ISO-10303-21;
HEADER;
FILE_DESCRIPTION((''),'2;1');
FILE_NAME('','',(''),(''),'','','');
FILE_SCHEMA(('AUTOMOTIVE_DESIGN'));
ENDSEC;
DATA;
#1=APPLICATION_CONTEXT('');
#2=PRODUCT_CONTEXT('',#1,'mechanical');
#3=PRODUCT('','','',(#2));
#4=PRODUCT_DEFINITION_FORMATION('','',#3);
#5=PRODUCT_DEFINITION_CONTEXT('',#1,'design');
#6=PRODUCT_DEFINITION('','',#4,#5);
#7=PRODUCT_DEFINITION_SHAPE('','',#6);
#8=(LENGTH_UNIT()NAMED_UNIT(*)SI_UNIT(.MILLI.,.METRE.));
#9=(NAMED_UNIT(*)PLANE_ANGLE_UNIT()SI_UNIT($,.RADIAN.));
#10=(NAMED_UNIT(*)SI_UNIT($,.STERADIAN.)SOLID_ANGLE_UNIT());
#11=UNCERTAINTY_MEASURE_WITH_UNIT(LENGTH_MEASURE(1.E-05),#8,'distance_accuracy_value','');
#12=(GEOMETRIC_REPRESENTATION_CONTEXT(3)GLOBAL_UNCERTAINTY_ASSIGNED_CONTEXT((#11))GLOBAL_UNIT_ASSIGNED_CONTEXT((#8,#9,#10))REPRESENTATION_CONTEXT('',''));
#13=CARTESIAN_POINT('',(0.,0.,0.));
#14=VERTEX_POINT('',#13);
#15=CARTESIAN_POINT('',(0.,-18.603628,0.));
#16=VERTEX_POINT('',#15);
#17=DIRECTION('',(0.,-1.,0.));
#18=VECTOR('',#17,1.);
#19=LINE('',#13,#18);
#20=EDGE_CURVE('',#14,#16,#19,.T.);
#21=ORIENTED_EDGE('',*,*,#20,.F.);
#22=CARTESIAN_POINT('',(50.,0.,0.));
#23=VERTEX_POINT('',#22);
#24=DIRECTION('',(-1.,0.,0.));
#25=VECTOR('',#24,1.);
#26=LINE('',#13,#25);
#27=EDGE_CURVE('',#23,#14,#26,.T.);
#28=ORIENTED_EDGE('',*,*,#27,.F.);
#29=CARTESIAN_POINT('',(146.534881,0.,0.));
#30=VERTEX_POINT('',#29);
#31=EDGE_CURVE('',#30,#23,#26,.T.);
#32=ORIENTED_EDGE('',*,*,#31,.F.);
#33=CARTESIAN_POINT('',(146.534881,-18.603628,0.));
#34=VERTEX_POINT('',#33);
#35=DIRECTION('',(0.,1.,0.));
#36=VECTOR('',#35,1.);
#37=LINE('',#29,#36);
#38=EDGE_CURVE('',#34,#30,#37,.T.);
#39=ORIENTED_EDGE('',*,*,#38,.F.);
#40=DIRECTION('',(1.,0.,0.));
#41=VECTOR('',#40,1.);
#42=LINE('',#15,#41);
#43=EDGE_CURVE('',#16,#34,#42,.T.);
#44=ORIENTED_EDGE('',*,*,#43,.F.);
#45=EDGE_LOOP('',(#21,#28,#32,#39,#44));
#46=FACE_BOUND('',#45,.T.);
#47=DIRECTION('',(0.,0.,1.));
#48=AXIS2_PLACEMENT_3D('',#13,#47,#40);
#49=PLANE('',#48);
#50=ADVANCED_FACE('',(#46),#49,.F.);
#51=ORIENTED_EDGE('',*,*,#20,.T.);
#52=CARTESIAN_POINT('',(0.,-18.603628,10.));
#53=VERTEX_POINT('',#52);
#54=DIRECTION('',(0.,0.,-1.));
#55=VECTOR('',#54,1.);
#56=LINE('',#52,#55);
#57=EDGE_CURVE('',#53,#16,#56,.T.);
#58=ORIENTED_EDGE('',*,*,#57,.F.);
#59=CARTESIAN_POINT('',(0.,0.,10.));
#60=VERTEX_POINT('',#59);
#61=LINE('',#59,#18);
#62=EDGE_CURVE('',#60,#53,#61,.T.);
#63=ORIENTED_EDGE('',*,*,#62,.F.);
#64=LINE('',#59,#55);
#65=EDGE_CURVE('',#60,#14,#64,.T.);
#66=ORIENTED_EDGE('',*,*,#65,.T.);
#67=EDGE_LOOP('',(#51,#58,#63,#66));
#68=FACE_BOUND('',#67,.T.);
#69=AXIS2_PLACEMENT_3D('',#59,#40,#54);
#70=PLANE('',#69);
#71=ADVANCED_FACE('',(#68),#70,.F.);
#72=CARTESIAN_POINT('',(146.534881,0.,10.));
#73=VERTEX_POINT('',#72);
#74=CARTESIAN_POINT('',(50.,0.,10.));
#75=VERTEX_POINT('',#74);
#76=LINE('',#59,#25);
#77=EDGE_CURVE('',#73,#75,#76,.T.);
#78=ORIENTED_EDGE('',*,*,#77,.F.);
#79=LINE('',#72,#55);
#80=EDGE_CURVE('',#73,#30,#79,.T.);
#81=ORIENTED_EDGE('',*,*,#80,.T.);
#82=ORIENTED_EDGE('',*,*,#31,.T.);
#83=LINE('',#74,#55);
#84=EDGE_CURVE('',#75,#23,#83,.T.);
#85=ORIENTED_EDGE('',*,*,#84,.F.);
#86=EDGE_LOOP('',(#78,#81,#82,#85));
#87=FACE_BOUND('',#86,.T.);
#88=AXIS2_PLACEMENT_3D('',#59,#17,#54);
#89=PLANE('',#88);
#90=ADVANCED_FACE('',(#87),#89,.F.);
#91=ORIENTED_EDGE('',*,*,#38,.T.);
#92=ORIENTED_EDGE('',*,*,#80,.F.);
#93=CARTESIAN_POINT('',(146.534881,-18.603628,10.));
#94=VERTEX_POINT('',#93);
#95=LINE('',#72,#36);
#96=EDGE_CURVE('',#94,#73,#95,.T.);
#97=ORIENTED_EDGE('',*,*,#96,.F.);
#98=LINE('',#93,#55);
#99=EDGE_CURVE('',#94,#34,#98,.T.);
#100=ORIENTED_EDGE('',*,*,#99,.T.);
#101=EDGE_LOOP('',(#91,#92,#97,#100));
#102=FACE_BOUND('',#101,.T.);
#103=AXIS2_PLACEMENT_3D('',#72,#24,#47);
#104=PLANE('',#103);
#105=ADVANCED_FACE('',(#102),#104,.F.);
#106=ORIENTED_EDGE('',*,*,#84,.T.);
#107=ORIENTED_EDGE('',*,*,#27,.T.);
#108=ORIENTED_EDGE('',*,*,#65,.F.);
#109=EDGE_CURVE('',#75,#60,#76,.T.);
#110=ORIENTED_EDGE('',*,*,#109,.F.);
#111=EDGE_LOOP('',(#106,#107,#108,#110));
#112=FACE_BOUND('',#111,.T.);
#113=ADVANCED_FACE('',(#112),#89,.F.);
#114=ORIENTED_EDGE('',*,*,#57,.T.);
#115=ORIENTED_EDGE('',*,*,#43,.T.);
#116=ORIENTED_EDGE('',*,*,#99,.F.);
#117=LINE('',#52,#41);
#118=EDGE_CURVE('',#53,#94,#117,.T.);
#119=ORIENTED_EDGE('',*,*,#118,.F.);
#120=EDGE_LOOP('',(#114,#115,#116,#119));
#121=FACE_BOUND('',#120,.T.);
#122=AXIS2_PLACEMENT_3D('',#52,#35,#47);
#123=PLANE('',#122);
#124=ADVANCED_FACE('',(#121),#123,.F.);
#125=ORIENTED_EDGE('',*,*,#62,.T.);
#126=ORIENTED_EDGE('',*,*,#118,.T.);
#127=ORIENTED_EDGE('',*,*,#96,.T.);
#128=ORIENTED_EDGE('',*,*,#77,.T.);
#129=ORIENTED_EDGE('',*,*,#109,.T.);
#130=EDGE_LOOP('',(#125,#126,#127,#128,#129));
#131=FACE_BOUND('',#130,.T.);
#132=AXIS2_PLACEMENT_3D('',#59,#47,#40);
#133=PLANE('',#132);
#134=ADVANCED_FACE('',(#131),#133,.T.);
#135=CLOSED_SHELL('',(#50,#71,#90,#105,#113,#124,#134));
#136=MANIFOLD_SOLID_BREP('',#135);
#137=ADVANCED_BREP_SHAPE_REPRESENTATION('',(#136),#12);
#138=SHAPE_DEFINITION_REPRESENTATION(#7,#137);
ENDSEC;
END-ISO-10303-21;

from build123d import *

# Parameters (mm, degrees)
SZKIC1_W                    = 146.534881084
SZKIC1_H                    = 18.603628118
DODANIE_WYCI_GNI_CIE1_DEPTH = 10


with BuildPart() as part:
    # Szkic1 → Dodanie-wyciągnięcie1 (new body)
    with BuildSketch(Plane.XY):
        with Locations((73.267440542, -9.301814059)):
            Rectangle(SZKIC1_W, SZKIC1_H)
    extrude(amount=DODANIE_WYCI_GNI_CIE1_DEPTH)


solid = part.part
